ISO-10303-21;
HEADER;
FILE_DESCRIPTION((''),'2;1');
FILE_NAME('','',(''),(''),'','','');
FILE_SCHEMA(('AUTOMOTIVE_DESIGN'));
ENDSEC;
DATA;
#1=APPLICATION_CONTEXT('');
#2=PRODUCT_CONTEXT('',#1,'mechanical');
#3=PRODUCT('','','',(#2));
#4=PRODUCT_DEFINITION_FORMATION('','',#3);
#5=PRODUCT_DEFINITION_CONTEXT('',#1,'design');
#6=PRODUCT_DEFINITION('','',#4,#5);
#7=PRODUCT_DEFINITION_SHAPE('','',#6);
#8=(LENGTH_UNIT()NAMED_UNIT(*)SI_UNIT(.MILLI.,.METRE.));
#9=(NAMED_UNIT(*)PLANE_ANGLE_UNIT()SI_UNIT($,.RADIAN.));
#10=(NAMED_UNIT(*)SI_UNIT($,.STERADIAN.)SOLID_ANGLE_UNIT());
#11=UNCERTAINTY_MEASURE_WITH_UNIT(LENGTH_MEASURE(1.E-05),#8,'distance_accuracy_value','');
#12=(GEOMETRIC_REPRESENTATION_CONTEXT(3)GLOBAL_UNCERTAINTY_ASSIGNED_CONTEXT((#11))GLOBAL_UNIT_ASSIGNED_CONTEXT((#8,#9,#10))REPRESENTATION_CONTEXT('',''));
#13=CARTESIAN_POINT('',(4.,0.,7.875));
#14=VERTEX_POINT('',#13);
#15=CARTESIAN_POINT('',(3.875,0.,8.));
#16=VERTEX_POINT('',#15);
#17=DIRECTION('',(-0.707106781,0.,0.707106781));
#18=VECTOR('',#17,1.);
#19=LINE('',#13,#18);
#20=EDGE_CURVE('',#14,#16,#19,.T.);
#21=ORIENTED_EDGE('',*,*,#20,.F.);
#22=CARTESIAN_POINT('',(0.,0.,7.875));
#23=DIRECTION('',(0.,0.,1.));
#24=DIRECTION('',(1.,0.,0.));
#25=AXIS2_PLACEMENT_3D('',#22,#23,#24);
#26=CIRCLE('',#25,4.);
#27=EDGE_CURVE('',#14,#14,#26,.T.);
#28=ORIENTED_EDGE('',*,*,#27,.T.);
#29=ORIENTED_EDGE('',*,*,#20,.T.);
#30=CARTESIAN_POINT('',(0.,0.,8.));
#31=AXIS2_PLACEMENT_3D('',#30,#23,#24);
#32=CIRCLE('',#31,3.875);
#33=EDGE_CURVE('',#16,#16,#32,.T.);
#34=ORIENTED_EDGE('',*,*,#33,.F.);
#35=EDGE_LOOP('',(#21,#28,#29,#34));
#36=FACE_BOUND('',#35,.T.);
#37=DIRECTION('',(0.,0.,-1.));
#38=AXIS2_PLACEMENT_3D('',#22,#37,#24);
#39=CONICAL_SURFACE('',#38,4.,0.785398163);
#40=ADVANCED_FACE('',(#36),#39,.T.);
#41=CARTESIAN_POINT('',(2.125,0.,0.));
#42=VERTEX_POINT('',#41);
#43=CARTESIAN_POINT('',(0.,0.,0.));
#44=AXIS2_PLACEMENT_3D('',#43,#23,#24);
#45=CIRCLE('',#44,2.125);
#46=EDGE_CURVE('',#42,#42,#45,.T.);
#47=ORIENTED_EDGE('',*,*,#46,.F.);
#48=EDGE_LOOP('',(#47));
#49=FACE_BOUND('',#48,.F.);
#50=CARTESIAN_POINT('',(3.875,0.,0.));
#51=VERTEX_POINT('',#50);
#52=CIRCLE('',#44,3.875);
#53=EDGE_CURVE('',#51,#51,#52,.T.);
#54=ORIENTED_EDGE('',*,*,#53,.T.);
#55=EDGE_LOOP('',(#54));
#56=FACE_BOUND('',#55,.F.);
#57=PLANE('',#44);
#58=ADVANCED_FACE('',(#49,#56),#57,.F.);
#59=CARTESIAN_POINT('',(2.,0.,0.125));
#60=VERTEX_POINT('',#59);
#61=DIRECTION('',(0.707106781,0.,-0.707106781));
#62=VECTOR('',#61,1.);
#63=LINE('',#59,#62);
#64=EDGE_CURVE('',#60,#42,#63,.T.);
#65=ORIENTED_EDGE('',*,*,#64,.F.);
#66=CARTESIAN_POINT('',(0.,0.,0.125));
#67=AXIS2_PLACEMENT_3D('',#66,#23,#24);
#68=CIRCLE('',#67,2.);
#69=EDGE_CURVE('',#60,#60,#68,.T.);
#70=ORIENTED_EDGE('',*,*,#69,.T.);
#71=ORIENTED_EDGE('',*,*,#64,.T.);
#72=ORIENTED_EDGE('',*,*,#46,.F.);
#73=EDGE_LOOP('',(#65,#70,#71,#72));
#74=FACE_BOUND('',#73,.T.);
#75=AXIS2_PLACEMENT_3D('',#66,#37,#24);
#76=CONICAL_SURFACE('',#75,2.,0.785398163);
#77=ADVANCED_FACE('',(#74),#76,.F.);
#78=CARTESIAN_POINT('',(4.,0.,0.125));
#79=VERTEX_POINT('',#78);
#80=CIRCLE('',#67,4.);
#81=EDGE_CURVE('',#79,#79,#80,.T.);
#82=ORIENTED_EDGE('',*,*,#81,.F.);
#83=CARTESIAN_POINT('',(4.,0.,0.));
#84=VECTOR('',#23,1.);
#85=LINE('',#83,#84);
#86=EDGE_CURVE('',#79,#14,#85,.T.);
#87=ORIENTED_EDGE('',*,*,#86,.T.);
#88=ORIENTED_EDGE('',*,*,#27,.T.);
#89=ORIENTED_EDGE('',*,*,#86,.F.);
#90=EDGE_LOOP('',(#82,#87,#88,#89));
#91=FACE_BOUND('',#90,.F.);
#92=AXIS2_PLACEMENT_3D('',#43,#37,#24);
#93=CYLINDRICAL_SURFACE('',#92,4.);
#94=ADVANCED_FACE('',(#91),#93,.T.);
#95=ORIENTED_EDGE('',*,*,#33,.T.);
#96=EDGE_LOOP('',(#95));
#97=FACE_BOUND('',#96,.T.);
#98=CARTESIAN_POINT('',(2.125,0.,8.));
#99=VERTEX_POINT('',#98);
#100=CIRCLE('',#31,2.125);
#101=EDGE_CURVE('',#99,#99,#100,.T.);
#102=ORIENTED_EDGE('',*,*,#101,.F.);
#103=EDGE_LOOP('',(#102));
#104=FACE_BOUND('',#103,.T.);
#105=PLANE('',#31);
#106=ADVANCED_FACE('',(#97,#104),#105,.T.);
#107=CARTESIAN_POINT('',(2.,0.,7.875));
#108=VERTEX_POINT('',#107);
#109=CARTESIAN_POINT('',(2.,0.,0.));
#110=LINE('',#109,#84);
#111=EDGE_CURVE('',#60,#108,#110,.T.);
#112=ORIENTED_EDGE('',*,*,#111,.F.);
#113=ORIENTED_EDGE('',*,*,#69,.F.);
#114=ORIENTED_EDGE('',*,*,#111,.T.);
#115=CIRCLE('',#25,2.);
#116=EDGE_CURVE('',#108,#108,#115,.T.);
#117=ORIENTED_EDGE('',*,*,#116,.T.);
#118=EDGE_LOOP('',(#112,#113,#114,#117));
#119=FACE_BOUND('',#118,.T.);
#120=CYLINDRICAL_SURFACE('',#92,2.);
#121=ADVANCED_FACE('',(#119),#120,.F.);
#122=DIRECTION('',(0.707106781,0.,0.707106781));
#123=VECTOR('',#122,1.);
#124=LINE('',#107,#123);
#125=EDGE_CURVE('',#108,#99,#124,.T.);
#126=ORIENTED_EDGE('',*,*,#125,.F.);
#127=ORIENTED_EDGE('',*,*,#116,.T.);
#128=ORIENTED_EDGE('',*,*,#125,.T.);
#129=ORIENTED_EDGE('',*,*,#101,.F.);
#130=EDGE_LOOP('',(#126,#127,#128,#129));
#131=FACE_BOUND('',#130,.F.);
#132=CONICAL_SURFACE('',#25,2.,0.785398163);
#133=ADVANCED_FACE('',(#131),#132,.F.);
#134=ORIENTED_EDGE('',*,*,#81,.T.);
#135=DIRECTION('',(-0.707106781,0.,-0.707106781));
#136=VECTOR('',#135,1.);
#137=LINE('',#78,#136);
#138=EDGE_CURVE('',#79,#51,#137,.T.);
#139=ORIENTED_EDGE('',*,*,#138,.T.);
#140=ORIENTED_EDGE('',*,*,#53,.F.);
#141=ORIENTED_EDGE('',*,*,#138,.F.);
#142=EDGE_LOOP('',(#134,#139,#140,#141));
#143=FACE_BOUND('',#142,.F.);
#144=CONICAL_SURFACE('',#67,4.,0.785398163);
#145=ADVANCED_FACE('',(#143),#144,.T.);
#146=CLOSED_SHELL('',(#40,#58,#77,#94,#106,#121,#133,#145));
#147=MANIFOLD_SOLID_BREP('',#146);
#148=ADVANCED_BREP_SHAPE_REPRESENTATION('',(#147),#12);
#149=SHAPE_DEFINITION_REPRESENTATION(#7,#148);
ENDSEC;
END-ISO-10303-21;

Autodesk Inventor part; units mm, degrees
ref_plane "YZ Plane" through (0, 0, 0) normal (1, 0, 0) x (0, 1, 0)
ref_plane "XZ Plane" through (0, 0, 0) normal (0, 1, 0) x (-1, 0, 0)
ref_plane "XY Plane" through (0, 0, 0) normal (0, 0, 1) x (1, 0, 0)
sketch "Sketch1" plane through (0, 0, 0) normal (0, 0, 1) x (1, 0, 0)
  circle A0 centre (0, 0) radius 2
  circle A1 centre (0, 0) radius 4
  dimension "d0" = 4
  dimension "d1" = 8
extrude "Extrusion1" add sketch "Sketch1" along normal blind 8
chamfer "Chamfer1" distance 0.125 angle 45 4 edges at (-4, 0, 8) (-2, 0, 8) (-4, 0, 0) (-2, 0, 0)
properties part number "ring_488"
